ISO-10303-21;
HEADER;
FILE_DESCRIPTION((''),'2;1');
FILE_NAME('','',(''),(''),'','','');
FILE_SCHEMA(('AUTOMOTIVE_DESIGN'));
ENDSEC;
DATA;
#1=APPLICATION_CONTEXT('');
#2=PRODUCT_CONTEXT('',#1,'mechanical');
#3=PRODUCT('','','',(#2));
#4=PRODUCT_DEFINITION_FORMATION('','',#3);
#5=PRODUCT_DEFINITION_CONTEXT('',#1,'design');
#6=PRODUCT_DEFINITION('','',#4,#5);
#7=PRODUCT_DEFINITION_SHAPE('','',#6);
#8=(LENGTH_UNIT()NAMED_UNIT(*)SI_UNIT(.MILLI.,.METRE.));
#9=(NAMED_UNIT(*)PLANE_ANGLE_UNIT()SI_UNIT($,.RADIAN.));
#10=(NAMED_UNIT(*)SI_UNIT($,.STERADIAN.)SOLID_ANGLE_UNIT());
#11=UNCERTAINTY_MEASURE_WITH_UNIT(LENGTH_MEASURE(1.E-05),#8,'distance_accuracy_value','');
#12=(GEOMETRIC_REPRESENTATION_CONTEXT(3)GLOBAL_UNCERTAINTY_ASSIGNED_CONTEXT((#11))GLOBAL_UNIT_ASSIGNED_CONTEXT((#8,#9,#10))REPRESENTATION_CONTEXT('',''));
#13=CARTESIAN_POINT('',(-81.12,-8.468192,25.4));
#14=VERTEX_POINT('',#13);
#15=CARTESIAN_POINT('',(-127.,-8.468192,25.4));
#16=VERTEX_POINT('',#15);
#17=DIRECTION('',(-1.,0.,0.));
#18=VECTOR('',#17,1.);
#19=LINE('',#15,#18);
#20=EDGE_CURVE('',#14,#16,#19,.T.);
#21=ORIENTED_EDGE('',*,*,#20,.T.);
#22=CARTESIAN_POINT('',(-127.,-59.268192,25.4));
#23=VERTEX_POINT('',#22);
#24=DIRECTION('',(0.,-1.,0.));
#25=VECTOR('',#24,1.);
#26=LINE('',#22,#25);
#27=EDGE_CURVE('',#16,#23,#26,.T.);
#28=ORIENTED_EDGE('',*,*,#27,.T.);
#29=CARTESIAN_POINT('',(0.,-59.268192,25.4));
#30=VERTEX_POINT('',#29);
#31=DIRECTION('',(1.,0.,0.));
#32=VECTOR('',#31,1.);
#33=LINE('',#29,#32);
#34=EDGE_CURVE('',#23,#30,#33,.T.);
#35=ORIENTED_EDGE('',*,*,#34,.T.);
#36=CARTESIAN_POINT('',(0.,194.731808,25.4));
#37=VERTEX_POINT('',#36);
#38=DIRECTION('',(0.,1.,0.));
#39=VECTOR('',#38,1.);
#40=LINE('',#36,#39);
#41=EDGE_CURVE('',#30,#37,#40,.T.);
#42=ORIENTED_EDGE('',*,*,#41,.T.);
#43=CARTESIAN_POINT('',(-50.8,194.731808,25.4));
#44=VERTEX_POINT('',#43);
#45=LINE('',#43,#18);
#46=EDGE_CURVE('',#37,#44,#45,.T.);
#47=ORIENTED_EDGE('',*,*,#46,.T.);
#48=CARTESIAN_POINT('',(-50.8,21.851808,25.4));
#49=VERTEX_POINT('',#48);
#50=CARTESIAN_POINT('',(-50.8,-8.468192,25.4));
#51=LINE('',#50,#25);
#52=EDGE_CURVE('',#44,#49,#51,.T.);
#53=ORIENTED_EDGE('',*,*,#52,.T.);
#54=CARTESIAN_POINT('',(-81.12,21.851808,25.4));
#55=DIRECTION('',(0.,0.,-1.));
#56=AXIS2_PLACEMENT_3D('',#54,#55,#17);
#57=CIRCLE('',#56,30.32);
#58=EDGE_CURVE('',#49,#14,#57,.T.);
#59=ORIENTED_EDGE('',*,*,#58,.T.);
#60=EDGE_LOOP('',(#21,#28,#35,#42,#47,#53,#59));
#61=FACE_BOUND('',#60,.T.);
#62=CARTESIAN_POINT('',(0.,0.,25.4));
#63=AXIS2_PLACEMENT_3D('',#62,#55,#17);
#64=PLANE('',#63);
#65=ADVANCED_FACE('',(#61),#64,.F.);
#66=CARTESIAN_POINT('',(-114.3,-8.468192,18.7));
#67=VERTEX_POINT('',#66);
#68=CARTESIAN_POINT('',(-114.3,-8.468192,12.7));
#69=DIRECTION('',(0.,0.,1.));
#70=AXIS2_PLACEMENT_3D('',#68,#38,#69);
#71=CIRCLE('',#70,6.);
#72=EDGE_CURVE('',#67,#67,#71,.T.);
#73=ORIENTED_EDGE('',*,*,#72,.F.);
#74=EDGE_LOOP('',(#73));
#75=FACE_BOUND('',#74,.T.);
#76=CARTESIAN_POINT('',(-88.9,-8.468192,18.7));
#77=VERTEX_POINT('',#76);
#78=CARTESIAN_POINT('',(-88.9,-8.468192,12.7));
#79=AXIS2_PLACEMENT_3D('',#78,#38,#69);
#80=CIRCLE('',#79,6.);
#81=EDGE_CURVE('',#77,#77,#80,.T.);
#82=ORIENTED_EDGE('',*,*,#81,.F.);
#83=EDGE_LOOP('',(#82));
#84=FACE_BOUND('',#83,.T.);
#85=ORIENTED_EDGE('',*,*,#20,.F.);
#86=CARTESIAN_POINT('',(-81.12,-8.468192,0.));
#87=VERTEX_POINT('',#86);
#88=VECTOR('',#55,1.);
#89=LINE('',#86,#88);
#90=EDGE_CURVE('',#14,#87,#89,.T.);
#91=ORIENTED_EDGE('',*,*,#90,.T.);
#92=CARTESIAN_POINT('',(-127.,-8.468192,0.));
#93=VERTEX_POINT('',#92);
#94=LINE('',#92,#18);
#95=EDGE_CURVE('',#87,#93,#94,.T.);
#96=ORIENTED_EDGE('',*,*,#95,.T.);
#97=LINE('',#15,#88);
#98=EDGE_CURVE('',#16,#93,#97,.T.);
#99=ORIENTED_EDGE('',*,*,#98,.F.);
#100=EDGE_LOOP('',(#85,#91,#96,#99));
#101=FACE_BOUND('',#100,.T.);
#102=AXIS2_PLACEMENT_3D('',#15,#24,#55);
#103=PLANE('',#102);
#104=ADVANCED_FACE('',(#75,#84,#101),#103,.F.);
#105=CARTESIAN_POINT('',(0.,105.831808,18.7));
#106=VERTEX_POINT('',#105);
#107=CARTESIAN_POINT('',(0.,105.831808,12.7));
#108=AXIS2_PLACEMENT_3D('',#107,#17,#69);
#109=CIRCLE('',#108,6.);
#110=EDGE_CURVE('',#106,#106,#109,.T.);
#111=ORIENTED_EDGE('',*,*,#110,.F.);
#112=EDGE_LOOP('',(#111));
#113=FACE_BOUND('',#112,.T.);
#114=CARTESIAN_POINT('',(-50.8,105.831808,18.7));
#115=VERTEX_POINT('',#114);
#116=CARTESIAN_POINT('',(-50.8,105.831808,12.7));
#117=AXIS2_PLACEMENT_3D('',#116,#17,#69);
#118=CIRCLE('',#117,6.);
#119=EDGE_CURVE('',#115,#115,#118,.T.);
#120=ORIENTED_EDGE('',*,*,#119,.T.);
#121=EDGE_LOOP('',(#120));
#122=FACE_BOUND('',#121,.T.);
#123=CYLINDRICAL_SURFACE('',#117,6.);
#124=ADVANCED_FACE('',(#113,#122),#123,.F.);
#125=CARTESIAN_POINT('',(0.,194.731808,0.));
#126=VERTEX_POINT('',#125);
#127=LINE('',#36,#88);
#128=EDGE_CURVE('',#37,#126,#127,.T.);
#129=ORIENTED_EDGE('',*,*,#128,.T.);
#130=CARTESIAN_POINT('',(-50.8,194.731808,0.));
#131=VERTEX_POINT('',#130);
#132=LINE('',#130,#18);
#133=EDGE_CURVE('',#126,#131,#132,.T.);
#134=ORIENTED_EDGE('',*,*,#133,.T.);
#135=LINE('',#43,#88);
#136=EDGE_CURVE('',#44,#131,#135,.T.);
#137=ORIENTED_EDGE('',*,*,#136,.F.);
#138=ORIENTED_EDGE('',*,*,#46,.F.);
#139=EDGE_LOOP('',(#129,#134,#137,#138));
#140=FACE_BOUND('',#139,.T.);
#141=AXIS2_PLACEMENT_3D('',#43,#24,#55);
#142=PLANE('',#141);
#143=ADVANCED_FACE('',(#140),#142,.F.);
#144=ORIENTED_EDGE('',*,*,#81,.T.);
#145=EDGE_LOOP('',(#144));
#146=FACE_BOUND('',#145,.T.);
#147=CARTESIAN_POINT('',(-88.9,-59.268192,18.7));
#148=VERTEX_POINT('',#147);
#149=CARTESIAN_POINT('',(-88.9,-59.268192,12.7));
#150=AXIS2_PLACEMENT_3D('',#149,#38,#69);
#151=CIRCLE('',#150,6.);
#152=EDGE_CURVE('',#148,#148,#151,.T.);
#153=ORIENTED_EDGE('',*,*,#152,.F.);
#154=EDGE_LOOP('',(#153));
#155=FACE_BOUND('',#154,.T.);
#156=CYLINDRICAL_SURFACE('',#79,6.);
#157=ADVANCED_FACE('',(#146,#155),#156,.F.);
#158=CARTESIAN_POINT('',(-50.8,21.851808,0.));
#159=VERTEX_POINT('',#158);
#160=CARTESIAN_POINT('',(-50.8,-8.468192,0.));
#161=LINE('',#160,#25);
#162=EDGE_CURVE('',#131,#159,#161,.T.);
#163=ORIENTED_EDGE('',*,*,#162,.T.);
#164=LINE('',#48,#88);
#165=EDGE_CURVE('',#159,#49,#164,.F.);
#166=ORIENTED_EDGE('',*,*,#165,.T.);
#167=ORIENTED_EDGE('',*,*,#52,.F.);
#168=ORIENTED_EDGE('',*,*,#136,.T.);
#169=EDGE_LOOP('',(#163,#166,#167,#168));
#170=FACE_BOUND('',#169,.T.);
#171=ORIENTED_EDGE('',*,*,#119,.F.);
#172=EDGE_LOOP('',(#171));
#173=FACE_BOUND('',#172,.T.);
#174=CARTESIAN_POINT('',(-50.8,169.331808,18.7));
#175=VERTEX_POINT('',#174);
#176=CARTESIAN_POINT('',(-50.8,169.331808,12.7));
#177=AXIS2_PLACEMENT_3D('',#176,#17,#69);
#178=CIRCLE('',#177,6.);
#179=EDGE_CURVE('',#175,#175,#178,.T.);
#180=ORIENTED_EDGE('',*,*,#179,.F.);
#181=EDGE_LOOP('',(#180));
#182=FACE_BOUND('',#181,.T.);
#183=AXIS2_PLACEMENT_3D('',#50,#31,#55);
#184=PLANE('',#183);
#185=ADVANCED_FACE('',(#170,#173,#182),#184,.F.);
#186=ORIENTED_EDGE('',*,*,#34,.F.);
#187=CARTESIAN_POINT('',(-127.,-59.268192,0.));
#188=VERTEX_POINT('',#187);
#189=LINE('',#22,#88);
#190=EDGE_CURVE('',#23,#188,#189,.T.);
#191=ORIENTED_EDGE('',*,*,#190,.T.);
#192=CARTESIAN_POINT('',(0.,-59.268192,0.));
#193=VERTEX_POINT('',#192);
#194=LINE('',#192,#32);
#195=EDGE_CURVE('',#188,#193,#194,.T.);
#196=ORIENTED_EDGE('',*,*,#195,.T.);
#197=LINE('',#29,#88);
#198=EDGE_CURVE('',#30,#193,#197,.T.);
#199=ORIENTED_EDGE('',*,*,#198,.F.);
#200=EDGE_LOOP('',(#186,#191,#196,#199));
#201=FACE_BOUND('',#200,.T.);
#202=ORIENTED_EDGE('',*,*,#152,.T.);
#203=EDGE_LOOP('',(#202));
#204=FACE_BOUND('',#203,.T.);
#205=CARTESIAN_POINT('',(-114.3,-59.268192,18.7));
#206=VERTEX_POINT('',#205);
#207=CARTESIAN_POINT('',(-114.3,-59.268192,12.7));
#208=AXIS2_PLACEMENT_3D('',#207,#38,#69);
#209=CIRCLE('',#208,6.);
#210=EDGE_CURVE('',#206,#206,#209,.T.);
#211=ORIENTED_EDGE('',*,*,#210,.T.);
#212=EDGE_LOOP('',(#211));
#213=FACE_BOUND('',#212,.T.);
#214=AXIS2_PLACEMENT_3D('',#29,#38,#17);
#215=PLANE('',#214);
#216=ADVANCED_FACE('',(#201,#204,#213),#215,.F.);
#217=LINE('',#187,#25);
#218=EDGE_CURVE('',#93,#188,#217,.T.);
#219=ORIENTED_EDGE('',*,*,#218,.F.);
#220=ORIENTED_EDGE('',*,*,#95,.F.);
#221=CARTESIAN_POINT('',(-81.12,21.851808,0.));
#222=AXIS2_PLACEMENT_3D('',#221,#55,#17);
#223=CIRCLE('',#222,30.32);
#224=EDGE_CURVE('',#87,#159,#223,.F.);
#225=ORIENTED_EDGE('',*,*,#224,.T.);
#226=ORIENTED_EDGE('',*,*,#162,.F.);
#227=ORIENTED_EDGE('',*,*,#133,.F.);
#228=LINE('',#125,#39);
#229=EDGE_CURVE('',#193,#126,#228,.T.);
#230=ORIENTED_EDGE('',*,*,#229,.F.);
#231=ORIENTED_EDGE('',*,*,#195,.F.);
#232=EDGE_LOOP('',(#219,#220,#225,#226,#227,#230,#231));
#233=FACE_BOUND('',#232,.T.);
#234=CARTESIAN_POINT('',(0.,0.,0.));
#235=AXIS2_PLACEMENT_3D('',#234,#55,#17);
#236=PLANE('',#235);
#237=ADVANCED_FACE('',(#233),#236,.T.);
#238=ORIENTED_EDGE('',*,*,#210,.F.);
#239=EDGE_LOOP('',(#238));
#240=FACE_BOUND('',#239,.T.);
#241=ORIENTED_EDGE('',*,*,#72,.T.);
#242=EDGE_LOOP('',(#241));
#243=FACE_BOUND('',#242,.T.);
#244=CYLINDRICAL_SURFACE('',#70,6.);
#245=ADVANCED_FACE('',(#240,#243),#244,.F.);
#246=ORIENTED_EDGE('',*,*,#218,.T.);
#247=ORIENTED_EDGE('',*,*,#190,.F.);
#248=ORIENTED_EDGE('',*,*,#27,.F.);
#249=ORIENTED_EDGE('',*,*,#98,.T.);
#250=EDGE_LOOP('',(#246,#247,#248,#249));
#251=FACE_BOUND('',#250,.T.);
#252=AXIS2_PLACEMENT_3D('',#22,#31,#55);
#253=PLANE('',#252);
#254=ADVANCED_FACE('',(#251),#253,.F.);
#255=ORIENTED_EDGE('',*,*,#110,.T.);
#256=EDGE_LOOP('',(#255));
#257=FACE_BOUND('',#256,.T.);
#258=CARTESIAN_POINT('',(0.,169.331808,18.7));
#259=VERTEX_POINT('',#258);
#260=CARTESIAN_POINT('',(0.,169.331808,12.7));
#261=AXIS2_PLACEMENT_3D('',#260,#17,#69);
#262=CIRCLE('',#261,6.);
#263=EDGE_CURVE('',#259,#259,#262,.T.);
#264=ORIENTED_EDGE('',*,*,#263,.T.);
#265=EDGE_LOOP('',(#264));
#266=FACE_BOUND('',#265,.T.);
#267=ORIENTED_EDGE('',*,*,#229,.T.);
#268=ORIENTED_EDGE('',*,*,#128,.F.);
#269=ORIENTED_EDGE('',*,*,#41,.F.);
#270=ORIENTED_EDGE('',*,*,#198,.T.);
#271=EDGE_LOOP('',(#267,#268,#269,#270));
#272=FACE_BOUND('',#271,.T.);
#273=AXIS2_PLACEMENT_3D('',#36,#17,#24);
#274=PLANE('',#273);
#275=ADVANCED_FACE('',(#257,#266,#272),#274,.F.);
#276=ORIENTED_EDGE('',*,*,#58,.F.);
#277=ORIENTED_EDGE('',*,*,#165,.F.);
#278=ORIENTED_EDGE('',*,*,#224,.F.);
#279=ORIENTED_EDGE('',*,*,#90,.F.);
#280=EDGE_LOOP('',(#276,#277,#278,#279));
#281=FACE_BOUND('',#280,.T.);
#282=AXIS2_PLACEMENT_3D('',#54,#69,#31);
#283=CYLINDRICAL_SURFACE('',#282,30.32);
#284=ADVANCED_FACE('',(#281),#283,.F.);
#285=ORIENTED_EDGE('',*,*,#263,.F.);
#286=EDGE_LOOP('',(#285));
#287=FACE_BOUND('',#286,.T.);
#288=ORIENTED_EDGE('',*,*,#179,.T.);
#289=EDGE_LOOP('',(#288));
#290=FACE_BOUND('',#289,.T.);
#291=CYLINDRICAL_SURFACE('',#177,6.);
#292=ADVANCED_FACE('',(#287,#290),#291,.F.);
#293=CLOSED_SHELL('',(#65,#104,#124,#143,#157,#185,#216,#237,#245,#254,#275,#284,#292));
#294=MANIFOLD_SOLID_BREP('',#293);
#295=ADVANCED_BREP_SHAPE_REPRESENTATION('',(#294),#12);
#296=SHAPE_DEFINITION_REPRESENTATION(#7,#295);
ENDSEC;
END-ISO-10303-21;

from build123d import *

# Parameters (mm, degrees)
BOSS_EXTRUDE1_DEPTH   = 25.4
M10_CLEARANCE_HOLE1_D = 12
M10_CLEARANCE_HOLE2_D = 12
FILLET1_R             = 30.32


with BuildPart() as part:
    # Sketch1 → Boss-Extrude1 (new body)
    with BuildSketch(Plane.XY):
        Polygon((0, 194.731808123), (0, -59.268191877), (-127, -59.268191877), (-127, -8.468191877), (-50.8, -8.468191877), (-50.8, 194.731808123), align=None)
    extrude(amount=BOSS_EXTRUDE1_DEPTH)

    # M10 Clearance Hole1 (through all)
    with Locations(Plane(origin=(0, -8.468191877, 0), x_dir=(1, 0, 0), z_dir=(0, 1, 0))):
        with Locations((-114.3, -12.7), (-88.9, -12.7)):
            Hole(M10_CLEARANCE_HOLE1_D / 2)

    # M10 Clearance Hole2 (through all)
    with Locations(Plane.ZY.offset(50.8)):
        with Locations((12.7, 169.331808123), (12.7, 105.831808123)):
            Hole(M10_CLEARANCE_HOLE2_D / 2)

    # Fillet1
    fillet1_edges = [part.edges().sort_by_distance(p)[0] for p in [
        (-50.8, -8.468191877, 12.7),
    ]]
    fillet(fillet1_edges, radius=FILLET1_R)


solid = part.part
